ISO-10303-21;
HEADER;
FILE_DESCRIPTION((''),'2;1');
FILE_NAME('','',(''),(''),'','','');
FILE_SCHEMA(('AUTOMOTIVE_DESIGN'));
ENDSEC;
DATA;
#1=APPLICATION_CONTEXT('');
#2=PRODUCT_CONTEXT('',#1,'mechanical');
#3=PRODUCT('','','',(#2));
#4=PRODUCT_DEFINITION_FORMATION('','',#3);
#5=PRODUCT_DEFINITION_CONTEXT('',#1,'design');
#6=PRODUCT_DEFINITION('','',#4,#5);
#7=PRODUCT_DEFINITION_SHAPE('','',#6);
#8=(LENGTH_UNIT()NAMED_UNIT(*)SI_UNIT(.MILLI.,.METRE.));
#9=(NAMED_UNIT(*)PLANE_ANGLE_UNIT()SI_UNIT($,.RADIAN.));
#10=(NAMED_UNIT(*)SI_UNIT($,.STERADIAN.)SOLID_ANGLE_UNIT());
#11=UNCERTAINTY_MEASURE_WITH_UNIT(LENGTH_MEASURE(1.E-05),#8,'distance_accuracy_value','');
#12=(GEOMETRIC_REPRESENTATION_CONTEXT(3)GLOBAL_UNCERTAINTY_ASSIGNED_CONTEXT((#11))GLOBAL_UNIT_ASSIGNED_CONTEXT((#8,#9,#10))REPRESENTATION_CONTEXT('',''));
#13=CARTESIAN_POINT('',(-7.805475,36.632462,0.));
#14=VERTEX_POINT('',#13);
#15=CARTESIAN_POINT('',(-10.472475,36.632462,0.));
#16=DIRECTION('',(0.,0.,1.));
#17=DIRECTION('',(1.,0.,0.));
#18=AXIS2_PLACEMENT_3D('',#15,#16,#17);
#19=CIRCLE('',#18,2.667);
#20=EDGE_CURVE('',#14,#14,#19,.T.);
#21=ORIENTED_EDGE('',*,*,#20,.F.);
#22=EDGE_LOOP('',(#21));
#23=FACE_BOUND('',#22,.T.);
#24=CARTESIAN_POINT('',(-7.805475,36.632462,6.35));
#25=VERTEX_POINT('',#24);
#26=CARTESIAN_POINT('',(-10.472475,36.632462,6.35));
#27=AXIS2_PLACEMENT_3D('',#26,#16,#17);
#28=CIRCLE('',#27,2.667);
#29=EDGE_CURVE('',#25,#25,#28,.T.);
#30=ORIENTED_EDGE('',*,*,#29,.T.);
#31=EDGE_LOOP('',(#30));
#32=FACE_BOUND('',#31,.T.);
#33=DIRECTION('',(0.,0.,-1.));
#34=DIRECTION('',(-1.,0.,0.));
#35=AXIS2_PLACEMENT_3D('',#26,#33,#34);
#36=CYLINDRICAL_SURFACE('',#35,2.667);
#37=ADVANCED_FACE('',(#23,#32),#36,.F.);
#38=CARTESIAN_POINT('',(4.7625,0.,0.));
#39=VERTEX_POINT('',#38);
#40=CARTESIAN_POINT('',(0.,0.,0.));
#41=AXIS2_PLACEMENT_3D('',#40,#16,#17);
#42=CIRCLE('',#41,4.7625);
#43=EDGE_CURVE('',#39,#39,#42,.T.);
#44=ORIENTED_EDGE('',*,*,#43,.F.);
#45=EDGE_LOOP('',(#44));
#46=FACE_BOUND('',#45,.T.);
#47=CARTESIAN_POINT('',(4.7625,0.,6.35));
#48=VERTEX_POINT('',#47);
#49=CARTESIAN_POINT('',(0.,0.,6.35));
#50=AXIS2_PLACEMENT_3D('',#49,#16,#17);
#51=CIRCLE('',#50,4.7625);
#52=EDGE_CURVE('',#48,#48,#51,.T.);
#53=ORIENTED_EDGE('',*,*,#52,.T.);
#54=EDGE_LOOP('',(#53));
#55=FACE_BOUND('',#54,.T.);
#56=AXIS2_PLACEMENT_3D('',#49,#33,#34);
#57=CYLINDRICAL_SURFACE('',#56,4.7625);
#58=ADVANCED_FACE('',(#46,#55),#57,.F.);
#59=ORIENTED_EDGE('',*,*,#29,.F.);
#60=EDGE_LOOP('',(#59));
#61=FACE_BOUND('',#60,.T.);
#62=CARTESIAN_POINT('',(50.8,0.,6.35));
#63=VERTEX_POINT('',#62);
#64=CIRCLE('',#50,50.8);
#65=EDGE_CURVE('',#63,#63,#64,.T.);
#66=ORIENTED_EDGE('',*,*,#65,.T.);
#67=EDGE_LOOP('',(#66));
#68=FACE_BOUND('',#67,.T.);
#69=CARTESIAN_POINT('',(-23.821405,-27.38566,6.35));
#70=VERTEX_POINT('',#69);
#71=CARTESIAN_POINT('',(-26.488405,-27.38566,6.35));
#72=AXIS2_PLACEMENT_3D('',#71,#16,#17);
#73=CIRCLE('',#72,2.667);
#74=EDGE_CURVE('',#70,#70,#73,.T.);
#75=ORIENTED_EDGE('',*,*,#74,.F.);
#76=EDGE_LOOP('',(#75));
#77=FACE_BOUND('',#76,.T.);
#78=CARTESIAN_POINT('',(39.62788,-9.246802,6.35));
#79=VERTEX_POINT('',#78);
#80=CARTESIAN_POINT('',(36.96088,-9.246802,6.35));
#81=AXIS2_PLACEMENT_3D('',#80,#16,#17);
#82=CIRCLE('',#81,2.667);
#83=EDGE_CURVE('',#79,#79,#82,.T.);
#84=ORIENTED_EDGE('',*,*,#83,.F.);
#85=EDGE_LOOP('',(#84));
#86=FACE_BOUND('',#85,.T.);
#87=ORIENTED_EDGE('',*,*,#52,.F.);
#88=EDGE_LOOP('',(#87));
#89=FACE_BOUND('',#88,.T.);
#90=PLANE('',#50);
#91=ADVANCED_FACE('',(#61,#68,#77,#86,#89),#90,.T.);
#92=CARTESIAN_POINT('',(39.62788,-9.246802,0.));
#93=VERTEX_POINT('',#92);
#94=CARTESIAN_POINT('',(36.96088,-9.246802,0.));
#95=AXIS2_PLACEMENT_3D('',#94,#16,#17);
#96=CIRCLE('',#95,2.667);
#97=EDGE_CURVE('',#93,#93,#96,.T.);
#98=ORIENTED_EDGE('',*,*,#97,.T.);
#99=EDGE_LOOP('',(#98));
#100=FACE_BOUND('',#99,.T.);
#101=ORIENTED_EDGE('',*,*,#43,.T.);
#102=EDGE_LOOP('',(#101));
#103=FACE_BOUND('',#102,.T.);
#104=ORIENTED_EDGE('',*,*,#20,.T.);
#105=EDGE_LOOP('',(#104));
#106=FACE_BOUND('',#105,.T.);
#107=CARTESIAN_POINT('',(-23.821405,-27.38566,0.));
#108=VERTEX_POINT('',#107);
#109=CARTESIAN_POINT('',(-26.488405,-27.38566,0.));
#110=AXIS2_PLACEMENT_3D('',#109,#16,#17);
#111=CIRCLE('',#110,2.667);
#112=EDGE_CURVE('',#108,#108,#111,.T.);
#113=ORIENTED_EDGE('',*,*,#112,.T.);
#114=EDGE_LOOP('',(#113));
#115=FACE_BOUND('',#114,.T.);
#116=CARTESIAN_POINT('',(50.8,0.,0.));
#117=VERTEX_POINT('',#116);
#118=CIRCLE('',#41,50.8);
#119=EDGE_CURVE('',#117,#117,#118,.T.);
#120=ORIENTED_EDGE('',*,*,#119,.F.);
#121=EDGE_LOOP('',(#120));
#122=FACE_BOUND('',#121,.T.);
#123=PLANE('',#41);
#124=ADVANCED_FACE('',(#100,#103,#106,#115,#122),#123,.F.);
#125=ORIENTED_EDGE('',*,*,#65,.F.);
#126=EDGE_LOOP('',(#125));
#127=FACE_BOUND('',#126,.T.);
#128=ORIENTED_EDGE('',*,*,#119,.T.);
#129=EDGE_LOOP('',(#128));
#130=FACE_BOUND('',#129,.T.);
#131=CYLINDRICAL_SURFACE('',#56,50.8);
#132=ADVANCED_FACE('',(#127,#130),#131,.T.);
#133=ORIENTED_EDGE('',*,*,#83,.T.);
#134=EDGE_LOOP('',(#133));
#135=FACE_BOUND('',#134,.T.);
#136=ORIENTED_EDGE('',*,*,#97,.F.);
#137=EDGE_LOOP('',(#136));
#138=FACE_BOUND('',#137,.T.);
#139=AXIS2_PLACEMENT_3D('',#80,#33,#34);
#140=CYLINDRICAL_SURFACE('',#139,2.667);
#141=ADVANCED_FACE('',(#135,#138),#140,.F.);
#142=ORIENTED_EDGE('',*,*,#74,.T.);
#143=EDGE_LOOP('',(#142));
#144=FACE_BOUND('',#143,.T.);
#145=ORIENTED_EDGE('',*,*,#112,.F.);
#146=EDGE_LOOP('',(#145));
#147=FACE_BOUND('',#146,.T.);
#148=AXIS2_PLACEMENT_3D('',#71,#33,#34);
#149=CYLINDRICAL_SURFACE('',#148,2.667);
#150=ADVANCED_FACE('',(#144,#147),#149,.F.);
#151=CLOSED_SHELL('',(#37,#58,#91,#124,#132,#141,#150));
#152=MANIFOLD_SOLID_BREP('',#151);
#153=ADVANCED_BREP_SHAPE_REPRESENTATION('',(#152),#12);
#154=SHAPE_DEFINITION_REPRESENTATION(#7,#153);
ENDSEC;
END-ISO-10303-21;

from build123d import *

# Parameters (mm, degrees)
SKETCH1_R           = 50.8
SKETCH1_R_2         = 2.667
SKETCH1_R_3         = 4.7625
BOSS_EXTRUDE1_DEPTH = 6.35


with BuildPart() as part:
    # Sketch1 → Boss-Extrude1 (new body)
    with BuildSketch(Plane.XY):
        Circle(SKETCH1_R)
        with Locations((-10.472474589, 36.632462052)):
            Circle(SKETCH1_R_2, mode=Mode.SUBTRACT)
        with Locations((36.960880035, -9.246801992)):
            Circle(SKETCH1_R_2, mode=Mode.SUBTRACT)
        with Locations((-26.488405446, -27.38566006)):
            Circle(SKETCH1_R_2, mode=Mode.SUBTRACT)
        Circle(SKETCH1_R_3, mode=Mode.SUBTRACT)
    extrude(amount=BOSS_EXTRUDE1_DEPTH)


solid = part.part
